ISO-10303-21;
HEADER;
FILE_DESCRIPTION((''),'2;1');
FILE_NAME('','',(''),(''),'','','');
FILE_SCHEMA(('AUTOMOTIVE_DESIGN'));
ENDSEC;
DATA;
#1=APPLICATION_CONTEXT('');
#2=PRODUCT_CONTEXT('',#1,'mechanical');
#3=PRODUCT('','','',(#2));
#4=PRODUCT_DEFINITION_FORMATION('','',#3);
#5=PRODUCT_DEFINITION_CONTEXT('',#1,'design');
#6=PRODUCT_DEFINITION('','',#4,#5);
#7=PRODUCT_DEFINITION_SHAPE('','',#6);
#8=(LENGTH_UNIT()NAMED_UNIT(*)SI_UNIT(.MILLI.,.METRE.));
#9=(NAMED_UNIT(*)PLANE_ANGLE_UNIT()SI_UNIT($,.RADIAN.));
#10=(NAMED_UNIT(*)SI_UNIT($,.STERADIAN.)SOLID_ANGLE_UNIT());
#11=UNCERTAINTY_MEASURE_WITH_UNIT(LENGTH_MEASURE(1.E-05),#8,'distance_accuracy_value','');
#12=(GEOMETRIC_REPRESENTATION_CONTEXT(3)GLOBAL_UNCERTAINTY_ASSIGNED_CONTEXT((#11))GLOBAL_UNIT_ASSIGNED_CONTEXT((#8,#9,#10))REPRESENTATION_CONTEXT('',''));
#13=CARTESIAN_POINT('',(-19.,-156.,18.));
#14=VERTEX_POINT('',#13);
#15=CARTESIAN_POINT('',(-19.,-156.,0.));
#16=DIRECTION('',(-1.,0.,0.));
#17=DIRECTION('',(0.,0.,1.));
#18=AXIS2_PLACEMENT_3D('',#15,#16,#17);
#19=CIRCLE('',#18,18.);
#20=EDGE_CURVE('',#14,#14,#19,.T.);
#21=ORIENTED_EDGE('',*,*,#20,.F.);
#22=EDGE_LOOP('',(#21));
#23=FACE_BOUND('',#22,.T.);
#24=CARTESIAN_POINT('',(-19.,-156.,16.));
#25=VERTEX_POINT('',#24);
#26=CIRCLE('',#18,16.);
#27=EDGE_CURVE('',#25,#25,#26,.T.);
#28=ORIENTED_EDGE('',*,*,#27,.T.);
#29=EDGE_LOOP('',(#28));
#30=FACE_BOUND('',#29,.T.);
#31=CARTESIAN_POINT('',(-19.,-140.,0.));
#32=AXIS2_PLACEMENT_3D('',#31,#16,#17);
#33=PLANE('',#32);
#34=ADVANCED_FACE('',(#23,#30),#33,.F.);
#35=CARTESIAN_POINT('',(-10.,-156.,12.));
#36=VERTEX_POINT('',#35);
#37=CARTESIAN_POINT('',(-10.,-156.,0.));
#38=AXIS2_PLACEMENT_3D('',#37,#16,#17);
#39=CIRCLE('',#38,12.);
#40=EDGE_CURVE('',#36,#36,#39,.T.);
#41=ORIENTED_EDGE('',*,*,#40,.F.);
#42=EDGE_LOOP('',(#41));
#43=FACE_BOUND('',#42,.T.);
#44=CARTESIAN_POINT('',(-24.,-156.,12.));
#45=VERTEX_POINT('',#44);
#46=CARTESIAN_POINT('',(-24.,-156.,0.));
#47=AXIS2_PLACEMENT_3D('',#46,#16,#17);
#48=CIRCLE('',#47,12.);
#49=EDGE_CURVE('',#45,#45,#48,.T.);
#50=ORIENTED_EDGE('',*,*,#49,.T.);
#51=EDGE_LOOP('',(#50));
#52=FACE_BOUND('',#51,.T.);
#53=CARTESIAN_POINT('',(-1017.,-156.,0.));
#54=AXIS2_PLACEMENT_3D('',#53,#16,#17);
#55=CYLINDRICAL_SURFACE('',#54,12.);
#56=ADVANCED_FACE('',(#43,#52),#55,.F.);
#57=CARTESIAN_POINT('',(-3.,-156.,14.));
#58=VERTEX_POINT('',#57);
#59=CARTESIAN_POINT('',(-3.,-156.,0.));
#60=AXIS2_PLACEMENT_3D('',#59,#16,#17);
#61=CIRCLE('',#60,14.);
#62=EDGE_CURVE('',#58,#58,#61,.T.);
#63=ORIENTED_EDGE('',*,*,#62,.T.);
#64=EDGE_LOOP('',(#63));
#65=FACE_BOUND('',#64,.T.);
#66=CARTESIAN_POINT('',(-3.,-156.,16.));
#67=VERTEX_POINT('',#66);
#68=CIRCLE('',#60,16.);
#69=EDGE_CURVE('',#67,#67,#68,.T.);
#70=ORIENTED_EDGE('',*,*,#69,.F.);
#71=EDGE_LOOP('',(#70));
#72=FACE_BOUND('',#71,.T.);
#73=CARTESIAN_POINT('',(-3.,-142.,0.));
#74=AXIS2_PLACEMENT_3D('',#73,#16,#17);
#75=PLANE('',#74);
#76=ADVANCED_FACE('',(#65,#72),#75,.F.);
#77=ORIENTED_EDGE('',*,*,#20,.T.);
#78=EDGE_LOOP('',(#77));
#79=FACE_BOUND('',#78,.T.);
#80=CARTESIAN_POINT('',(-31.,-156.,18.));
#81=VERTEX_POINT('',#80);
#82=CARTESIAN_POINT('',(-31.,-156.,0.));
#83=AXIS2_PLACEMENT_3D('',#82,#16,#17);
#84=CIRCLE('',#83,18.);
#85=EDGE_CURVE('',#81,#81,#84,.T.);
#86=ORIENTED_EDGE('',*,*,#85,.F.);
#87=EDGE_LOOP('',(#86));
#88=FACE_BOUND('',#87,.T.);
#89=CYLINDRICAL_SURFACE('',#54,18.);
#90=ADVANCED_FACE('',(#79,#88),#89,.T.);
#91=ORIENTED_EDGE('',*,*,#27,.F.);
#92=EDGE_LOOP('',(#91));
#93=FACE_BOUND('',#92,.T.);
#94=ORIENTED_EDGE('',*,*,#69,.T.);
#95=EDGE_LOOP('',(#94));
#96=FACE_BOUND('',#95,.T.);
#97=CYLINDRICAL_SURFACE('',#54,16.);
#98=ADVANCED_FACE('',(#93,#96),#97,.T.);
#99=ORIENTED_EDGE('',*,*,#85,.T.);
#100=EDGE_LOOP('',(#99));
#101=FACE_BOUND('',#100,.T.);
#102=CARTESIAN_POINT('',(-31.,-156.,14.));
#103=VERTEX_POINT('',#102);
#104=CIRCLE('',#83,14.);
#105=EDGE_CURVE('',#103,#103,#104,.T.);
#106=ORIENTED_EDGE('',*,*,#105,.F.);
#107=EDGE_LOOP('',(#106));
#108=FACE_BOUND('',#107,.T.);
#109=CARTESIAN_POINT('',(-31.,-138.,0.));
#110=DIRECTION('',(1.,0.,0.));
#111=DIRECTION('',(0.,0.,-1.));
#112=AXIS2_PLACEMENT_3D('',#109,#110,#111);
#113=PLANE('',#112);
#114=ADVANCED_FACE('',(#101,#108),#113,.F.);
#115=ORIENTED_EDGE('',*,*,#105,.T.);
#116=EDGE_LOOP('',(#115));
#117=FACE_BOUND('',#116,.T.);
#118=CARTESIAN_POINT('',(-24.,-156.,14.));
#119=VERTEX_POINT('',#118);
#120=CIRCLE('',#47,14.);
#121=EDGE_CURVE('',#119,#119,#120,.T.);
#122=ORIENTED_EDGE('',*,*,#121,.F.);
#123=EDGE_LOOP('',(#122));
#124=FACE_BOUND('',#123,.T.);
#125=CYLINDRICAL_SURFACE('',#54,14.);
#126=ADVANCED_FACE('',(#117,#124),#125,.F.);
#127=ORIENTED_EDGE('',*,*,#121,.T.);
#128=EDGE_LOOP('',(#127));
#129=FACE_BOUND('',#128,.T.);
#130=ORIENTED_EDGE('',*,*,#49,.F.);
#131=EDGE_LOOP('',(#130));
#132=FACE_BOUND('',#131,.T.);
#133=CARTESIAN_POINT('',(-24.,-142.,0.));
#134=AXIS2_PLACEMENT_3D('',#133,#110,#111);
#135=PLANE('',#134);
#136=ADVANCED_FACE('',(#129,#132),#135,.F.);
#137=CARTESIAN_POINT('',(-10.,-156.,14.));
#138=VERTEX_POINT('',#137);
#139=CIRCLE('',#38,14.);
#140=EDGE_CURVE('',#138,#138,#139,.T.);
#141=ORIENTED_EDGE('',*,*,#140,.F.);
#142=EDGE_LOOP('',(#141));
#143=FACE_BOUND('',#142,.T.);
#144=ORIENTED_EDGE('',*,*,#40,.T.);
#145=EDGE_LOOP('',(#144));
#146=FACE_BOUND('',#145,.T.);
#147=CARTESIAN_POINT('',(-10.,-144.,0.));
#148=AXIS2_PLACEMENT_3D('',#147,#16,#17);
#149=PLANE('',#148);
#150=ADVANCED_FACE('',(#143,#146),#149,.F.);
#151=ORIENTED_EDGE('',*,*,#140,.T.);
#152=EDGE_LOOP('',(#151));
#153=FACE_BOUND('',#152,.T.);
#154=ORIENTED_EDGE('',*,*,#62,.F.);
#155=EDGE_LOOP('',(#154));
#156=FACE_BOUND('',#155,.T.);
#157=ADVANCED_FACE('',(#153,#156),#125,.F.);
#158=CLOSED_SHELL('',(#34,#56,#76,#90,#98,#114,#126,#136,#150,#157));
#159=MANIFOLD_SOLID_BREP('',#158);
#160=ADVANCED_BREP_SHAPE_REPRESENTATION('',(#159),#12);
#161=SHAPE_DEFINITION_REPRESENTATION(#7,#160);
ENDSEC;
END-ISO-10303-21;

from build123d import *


with BuildPart() as part:
    # Эскиз1 → Повернуть1 (revolve)
    with BuildSketch(Plane.XY):
        Polygon((-3, -142), (-3, -140), (-19, -140), (-19, -138), (-31, -138), (-31, -142), (-24, -142), (-24, -144), (-10, -144), (-10, -142), align=None)
    revolve(axis=Axis((-1017, -156, 0), (1, 0, 0)))


solid = part.part
